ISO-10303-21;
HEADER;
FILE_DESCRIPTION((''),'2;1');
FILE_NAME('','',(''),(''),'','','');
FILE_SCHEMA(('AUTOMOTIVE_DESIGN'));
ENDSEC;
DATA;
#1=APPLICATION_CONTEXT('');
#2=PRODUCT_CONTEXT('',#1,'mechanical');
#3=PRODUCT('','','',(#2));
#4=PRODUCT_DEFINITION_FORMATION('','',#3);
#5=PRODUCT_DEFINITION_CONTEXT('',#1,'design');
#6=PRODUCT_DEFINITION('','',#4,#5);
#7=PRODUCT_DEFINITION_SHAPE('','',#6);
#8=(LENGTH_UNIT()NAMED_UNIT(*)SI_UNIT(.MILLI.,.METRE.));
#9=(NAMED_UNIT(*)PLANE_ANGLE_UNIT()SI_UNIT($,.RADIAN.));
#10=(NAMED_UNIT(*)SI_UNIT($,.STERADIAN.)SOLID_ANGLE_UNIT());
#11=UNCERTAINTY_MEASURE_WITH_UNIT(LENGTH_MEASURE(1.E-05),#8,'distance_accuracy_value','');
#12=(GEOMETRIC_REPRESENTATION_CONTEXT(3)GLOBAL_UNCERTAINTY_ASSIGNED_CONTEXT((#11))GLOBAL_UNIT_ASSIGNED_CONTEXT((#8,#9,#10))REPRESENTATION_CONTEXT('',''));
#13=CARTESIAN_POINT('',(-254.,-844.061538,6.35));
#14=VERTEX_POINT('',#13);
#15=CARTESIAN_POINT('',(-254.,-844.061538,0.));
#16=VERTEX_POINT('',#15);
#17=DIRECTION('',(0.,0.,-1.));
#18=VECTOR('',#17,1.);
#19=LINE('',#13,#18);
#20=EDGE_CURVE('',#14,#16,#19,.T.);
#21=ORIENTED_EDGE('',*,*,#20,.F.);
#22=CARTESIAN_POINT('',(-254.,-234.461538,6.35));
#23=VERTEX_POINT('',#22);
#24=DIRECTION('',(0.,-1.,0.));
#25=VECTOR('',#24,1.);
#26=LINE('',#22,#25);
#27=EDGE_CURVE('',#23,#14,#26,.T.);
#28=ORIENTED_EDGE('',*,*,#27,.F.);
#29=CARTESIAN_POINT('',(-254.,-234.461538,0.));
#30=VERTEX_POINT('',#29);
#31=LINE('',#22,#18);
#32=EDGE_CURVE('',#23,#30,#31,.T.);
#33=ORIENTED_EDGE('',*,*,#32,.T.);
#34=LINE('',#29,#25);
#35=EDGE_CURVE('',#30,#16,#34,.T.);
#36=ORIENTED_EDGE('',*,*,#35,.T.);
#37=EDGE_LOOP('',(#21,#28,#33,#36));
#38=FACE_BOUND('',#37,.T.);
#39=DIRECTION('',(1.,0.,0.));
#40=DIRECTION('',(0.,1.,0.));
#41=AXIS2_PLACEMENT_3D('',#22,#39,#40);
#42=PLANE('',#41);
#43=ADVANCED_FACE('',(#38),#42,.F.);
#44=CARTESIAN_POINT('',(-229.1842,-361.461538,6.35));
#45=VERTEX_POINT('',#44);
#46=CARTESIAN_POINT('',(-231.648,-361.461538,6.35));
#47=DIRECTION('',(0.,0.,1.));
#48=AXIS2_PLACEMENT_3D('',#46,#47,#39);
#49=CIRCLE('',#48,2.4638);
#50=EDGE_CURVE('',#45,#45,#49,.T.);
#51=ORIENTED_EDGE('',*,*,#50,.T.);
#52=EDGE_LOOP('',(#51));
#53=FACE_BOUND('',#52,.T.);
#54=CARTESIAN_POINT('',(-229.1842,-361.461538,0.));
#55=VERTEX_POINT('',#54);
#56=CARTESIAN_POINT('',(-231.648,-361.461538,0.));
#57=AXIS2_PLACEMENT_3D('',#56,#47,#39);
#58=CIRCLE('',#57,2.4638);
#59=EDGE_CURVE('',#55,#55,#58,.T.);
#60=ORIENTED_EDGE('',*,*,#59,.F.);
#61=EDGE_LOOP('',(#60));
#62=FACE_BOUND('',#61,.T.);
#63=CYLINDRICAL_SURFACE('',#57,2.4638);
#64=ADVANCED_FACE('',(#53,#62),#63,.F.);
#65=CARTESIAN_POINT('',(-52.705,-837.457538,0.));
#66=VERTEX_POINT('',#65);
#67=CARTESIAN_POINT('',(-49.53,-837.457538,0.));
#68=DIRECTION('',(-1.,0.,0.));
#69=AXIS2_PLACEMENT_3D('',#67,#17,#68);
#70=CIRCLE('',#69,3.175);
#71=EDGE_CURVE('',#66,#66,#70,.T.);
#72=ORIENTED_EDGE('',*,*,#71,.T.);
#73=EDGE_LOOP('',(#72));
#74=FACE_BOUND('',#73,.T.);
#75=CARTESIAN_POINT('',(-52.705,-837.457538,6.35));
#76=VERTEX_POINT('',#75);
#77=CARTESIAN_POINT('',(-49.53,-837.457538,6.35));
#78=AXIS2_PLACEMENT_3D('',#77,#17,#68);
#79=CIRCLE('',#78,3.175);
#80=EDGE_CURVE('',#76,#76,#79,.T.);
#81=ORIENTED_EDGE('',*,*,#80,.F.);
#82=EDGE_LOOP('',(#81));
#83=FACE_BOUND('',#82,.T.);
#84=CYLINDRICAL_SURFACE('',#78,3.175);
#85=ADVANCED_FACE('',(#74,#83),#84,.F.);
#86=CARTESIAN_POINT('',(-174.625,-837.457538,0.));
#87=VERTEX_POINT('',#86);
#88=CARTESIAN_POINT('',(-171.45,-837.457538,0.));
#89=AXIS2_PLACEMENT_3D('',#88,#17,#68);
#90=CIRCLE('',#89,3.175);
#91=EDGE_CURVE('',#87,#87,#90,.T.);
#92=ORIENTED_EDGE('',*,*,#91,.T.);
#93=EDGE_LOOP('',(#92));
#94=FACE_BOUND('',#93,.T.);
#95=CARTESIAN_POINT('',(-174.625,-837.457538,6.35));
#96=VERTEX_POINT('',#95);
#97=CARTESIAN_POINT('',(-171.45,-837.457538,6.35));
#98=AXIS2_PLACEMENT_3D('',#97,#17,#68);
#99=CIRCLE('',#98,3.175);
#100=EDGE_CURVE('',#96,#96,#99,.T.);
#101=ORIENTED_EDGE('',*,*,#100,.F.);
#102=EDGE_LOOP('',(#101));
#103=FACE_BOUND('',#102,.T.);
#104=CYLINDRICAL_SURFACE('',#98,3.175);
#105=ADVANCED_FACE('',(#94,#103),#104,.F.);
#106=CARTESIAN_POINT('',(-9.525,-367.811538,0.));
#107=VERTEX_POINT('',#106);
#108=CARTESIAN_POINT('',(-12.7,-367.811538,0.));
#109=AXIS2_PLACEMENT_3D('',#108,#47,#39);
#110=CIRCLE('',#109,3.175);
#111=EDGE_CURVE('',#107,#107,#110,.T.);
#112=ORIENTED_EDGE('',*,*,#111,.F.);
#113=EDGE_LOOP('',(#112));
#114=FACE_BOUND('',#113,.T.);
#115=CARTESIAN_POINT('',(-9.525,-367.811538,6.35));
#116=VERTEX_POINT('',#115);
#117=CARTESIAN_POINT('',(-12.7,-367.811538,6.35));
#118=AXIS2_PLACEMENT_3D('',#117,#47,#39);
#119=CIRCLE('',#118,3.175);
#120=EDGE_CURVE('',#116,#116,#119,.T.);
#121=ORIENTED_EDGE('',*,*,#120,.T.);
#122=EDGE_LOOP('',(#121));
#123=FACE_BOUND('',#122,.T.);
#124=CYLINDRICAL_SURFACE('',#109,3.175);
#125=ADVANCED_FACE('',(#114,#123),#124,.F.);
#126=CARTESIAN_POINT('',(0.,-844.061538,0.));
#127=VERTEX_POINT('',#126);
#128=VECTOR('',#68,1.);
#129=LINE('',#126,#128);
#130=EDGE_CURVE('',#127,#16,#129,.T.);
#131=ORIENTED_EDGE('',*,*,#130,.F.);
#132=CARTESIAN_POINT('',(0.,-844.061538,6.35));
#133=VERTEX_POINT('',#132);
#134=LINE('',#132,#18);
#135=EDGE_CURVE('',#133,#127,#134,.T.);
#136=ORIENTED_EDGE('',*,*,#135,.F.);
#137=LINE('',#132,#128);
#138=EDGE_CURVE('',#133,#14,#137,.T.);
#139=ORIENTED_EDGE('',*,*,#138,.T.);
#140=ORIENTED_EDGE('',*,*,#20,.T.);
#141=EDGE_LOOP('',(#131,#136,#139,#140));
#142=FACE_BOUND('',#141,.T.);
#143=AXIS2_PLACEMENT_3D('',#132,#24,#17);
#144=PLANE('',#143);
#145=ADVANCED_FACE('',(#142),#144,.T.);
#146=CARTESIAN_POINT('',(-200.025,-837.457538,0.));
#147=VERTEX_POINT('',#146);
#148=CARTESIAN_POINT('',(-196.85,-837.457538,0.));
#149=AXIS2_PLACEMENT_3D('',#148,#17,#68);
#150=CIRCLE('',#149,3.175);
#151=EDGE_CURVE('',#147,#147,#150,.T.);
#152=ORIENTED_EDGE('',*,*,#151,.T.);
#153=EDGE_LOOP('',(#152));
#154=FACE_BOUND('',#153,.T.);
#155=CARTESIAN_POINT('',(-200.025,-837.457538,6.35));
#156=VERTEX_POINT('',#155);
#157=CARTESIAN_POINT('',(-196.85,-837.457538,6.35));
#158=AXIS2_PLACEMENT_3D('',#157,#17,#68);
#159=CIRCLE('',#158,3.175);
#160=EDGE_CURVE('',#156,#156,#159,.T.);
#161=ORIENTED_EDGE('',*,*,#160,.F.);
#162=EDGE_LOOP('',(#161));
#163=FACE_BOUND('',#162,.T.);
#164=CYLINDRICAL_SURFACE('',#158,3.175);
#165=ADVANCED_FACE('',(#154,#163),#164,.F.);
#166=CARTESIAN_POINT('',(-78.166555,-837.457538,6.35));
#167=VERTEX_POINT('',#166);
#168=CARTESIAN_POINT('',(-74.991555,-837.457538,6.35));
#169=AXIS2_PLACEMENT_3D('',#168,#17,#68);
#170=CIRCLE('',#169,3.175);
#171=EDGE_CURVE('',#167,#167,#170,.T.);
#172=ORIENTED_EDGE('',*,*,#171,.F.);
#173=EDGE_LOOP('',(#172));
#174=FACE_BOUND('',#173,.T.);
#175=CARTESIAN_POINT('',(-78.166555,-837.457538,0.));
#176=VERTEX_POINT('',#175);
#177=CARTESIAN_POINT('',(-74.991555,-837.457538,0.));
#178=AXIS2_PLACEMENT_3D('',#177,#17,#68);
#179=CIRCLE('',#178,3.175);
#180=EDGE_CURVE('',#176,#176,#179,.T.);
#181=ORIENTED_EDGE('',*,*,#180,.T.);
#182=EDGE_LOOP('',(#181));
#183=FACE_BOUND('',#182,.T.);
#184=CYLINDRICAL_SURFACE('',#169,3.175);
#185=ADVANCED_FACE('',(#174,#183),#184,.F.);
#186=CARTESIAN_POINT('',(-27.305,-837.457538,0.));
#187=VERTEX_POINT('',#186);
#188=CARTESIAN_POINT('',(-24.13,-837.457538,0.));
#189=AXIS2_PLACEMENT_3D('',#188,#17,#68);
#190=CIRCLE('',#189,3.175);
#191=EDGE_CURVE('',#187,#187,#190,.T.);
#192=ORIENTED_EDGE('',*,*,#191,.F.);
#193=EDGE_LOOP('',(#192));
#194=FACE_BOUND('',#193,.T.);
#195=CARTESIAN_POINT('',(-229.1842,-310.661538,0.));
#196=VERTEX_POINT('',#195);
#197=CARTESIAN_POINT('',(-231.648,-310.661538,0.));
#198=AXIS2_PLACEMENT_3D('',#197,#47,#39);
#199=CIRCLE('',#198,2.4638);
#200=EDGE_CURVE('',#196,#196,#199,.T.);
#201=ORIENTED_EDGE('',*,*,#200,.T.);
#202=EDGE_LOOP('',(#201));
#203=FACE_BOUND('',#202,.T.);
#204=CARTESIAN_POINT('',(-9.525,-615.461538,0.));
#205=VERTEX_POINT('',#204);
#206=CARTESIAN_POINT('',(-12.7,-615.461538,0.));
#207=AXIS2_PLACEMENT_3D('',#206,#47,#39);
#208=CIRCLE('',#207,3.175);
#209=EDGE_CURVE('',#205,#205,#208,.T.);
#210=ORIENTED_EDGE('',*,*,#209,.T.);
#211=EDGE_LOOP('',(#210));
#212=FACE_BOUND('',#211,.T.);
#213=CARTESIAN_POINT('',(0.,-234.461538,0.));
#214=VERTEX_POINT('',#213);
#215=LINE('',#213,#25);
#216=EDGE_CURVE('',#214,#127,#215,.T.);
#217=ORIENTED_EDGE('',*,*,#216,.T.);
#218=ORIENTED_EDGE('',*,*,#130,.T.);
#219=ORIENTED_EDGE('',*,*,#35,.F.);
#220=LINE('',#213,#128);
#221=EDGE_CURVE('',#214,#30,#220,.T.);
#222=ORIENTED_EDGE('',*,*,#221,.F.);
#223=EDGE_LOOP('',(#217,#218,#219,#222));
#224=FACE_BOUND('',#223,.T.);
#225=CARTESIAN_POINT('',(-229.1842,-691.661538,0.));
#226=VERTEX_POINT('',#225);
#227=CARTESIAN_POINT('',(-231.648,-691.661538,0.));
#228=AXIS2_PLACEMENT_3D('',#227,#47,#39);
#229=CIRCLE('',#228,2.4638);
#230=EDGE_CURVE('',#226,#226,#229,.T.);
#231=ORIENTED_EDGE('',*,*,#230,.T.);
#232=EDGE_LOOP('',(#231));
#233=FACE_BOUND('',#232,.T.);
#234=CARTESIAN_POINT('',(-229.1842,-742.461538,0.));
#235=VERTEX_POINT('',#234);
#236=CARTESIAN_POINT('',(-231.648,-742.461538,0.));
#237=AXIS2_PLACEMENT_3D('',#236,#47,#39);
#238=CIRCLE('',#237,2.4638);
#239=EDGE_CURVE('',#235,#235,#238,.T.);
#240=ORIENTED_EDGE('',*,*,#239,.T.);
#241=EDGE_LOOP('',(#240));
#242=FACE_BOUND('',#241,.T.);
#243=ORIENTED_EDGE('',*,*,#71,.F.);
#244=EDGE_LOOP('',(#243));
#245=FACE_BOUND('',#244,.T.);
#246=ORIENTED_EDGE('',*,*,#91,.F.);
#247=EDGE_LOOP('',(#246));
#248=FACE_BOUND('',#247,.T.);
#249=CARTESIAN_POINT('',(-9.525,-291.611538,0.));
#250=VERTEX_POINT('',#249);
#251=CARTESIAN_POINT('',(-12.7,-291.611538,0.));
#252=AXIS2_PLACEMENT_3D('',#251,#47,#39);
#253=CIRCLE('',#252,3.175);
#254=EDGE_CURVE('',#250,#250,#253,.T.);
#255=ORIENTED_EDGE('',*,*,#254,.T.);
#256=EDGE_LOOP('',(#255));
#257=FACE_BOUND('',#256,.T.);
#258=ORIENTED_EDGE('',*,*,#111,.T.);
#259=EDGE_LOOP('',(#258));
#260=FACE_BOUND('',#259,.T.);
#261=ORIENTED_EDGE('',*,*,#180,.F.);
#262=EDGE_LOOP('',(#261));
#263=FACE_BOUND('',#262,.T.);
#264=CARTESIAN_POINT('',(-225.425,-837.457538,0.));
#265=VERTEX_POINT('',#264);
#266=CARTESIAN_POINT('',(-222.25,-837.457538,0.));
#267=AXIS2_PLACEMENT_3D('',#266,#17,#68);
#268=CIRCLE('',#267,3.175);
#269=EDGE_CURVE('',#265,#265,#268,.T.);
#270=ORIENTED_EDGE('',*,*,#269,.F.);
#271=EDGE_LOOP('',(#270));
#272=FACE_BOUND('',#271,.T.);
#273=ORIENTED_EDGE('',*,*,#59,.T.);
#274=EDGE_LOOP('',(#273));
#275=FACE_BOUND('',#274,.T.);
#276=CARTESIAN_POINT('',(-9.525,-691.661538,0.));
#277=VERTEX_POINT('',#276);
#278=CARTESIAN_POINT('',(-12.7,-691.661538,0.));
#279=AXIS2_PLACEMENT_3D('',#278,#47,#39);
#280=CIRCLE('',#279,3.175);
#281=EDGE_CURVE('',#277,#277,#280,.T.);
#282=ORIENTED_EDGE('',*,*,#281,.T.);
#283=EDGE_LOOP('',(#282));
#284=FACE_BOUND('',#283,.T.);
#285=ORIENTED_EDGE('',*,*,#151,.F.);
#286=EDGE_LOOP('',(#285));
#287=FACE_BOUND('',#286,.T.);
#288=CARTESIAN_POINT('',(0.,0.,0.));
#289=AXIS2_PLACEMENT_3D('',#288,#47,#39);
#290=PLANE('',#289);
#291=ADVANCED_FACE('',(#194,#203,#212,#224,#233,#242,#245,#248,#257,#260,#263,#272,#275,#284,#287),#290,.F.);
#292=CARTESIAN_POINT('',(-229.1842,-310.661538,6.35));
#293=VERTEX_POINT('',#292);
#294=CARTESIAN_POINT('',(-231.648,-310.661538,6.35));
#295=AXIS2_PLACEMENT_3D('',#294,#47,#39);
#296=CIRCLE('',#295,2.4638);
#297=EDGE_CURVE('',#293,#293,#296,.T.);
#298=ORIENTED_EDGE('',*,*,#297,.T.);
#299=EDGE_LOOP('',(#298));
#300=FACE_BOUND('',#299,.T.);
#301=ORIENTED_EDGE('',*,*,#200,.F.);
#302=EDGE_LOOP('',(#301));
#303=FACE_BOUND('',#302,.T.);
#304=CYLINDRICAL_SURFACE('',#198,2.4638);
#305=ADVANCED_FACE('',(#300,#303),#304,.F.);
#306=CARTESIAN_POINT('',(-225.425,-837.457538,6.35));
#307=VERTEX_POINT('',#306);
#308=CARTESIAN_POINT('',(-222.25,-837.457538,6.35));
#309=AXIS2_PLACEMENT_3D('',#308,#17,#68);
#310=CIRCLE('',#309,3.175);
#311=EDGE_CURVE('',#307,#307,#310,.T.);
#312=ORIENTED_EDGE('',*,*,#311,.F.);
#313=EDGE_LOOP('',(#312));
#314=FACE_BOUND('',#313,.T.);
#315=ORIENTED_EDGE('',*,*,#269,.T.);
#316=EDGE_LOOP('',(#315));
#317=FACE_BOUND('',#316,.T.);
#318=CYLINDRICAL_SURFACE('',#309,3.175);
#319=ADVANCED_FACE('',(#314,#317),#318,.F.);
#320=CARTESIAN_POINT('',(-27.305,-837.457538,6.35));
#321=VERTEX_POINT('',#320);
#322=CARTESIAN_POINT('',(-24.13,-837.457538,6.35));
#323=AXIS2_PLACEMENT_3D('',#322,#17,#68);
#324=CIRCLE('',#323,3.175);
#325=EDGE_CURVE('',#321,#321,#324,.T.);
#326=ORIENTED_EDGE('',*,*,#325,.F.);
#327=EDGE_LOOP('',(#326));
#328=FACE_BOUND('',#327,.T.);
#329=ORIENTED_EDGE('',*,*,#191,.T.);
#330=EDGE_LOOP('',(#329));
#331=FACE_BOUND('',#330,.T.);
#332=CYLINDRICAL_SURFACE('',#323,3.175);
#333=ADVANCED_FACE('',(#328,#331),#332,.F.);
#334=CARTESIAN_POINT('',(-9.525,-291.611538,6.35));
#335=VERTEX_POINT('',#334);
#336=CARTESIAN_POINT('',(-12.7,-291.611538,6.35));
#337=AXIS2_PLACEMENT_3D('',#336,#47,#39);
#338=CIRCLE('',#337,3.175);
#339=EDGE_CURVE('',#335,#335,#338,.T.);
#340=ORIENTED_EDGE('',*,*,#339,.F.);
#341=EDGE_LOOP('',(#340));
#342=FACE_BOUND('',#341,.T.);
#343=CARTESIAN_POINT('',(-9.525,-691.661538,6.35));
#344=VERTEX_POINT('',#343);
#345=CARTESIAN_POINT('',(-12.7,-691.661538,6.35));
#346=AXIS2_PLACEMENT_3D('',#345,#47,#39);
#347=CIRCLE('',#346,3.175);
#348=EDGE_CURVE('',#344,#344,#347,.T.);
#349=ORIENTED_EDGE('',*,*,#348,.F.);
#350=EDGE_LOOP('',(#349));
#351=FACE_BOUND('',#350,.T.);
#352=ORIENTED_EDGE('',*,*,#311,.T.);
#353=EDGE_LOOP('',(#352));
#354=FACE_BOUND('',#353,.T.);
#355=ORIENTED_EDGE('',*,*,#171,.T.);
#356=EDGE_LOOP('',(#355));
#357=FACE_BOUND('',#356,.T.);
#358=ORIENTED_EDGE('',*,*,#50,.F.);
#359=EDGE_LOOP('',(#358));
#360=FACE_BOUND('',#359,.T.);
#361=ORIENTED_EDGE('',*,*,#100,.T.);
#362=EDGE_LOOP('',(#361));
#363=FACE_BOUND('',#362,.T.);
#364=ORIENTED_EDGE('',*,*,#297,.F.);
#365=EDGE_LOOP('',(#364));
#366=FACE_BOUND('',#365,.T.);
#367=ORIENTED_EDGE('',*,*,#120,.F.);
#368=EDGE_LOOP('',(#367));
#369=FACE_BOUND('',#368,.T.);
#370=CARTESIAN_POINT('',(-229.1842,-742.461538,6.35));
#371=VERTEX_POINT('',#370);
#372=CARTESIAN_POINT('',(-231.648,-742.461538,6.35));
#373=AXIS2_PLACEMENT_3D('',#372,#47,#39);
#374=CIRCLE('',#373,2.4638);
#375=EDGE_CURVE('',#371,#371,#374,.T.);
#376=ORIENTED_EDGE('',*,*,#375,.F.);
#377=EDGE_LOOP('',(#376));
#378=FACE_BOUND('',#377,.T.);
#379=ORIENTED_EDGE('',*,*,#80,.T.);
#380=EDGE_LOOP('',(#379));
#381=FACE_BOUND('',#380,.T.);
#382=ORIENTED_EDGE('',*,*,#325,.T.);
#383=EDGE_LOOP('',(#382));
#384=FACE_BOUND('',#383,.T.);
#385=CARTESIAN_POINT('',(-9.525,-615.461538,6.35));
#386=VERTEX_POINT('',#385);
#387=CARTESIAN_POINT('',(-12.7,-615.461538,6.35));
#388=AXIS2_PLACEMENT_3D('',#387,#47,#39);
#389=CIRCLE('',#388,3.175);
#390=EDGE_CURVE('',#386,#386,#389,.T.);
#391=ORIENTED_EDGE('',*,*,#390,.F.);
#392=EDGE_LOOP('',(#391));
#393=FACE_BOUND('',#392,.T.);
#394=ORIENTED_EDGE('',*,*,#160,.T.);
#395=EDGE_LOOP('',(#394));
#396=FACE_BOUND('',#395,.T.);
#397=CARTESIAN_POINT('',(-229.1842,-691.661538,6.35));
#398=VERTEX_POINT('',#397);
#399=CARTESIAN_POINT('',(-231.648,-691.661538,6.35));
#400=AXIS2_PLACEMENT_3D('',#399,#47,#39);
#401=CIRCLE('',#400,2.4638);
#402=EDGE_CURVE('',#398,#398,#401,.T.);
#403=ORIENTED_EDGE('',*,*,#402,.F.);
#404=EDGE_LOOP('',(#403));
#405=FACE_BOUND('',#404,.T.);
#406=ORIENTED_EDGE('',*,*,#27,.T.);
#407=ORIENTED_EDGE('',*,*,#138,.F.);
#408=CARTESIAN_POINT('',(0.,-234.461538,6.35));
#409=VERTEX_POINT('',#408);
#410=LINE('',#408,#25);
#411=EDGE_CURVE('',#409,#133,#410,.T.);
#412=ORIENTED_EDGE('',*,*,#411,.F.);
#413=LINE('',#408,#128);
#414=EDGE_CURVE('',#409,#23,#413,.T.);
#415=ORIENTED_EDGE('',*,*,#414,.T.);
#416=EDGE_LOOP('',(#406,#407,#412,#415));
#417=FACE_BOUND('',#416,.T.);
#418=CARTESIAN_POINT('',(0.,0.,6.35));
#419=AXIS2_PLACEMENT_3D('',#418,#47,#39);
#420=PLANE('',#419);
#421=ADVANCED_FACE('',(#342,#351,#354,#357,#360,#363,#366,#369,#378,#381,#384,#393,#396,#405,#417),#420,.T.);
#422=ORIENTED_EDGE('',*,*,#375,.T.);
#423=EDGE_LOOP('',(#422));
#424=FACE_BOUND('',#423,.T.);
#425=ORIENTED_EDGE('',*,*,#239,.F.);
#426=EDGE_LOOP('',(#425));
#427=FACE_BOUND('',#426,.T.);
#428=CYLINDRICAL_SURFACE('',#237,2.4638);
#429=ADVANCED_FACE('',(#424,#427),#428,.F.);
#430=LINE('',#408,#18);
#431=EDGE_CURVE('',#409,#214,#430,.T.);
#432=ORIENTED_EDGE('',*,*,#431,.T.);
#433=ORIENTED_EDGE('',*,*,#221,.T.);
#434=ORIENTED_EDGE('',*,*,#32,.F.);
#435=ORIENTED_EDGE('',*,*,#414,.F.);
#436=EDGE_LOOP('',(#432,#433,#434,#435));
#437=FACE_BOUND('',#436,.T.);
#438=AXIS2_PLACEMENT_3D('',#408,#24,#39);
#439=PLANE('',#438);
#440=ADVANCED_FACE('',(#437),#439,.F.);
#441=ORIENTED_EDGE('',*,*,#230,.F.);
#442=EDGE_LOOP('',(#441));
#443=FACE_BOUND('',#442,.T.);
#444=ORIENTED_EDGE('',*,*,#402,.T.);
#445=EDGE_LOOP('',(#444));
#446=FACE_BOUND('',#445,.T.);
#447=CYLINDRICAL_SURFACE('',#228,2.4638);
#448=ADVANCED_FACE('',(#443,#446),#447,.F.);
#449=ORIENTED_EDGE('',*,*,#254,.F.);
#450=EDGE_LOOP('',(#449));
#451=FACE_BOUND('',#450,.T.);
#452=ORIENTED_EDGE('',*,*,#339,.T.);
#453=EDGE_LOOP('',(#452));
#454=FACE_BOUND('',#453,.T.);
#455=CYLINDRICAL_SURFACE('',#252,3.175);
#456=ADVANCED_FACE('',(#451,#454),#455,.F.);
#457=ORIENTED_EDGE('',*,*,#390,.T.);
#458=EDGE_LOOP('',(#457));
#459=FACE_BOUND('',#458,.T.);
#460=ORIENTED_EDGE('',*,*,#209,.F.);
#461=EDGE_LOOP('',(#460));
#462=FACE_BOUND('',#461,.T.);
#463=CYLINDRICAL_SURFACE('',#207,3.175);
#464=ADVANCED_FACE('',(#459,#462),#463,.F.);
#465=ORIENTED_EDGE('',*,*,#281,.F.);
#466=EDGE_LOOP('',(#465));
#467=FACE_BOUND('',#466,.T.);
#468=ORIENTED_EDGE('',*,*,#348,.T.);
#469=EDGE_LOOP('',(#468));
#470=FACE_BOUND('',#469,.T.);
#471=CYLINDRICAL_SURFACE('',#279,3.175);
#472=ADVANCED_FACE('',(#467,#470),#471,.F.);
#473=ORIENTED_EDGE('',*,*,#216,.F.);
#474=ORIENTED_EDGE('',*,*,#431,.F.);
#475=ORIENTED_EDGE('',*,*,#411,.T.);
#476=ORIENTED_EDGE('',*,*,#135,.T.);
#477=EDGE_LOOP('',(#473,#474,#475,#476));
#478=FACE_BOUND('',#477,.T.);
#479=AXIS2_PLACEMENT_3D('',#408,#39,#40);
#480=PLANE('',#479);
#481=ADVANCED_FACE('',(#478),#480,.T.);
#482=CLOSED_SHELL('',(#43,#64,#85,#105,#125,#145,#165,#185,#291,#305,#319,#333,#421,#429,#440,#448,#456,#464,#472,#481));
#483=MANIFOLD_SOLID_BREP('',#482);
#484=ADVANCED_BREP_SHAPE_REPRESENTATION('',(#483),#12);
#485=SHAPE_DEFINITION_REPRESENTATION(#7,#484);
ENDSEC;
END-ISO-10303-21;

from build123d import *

# Parameters (mm, degrees)
SKETCH1_W           = 254
SKETCH1_H           = 609.6
BOSS_EXTRUDE1_DEPTH = 6.35
SKETCH2_R           = 2.4638
CUT_EXTRUDE1_DEPTH  = 7.35
SKETCH3_R           = 3.175
CUT_EXTRUDE2_DEPTH  = 6.35
SKETCH4_R           = 3.175
CUT_EXTRUDE3_DEPTH  = 6.35


with BuildPart() as part:
    # Sketch1 → Boss-Extrude1 (new body)
    with BuildSketch(Plane.XY):
        with Locations((-127, -539.261538462)):
            Rectangle(SKETCH1_W, SKETCH1_H)
    extrude(amount=BOSS_EXTRUDE1_DEPTH)

    # Sketch2 → Cut-Extrude1 (cut, through all)
    with BuildSketch(Plane.XY.offset(6.35)):
        with Locations((-231.648, -310.661538462)):
            Circle(SKETCH2_R)
        with Locations((-231.648, -361.461538462)):
            Circle(SKETCH2_R)
        with Locations((-231.648, -691.661538462)):
            Circle(SKETCH2_R)
        with Locations((-231.648, -742.461538462)):
            Circle(SKETCH2_R)
    extrude(amount=-CUT_EXTRUDE1_DEPTH, mode=Mode.SUBTRACT)

    # Sketch3 → Cut-Extrude2 (cut)
    with BuildSketch(Plane(origin=(0, 0, 0), x_dir=(-1, 0, 0), z_dir=(0, 0, -1))):
        with Locations((24.13, -837.457538462)):
            Circle(SKETCH3_R)
        with Locations((49.53, -837.457538462)):
            Circle(SKETCH3_R)
        with Locations((74.991555208, -837.457538462)):
            Circle(SKETCH3_R)
        with Locations((196.85, -837.457538462)):
            Circle(SKETCH3_R)
        with Locations((171.45, -837.457538462)):
            Circle(SKETCH3_R)
        with Locations((222.25, -837.457538462)):
            Circle(SKETCH3_R)
    extrude(amount=-CUT_EXTRUDE2_DEPTH, mode=Mode.SUBTRACT)

    # Sketch4 → Cut-Extrude3 (cut)
    with BuildSketch(Plane.XY.offset(6.35)):
        with Locations((-12.7, -291.611538462)):
            Circle(SKETCH4_R)
        with Locations((-12.7, -367.811538462)):
            Circle(SKETCH4_R)
        with Locations((-12.7, -691.661538462)):
            Circle(SKETCH4_R)
        with Locations((-12.7, -615.461538462)):
            Circle(SKETCH4_R)
    extrude(amount=-CUT_EXTRUDE3_DEPTH, mode=Mode.SUBTRACT)


solid = part.part
